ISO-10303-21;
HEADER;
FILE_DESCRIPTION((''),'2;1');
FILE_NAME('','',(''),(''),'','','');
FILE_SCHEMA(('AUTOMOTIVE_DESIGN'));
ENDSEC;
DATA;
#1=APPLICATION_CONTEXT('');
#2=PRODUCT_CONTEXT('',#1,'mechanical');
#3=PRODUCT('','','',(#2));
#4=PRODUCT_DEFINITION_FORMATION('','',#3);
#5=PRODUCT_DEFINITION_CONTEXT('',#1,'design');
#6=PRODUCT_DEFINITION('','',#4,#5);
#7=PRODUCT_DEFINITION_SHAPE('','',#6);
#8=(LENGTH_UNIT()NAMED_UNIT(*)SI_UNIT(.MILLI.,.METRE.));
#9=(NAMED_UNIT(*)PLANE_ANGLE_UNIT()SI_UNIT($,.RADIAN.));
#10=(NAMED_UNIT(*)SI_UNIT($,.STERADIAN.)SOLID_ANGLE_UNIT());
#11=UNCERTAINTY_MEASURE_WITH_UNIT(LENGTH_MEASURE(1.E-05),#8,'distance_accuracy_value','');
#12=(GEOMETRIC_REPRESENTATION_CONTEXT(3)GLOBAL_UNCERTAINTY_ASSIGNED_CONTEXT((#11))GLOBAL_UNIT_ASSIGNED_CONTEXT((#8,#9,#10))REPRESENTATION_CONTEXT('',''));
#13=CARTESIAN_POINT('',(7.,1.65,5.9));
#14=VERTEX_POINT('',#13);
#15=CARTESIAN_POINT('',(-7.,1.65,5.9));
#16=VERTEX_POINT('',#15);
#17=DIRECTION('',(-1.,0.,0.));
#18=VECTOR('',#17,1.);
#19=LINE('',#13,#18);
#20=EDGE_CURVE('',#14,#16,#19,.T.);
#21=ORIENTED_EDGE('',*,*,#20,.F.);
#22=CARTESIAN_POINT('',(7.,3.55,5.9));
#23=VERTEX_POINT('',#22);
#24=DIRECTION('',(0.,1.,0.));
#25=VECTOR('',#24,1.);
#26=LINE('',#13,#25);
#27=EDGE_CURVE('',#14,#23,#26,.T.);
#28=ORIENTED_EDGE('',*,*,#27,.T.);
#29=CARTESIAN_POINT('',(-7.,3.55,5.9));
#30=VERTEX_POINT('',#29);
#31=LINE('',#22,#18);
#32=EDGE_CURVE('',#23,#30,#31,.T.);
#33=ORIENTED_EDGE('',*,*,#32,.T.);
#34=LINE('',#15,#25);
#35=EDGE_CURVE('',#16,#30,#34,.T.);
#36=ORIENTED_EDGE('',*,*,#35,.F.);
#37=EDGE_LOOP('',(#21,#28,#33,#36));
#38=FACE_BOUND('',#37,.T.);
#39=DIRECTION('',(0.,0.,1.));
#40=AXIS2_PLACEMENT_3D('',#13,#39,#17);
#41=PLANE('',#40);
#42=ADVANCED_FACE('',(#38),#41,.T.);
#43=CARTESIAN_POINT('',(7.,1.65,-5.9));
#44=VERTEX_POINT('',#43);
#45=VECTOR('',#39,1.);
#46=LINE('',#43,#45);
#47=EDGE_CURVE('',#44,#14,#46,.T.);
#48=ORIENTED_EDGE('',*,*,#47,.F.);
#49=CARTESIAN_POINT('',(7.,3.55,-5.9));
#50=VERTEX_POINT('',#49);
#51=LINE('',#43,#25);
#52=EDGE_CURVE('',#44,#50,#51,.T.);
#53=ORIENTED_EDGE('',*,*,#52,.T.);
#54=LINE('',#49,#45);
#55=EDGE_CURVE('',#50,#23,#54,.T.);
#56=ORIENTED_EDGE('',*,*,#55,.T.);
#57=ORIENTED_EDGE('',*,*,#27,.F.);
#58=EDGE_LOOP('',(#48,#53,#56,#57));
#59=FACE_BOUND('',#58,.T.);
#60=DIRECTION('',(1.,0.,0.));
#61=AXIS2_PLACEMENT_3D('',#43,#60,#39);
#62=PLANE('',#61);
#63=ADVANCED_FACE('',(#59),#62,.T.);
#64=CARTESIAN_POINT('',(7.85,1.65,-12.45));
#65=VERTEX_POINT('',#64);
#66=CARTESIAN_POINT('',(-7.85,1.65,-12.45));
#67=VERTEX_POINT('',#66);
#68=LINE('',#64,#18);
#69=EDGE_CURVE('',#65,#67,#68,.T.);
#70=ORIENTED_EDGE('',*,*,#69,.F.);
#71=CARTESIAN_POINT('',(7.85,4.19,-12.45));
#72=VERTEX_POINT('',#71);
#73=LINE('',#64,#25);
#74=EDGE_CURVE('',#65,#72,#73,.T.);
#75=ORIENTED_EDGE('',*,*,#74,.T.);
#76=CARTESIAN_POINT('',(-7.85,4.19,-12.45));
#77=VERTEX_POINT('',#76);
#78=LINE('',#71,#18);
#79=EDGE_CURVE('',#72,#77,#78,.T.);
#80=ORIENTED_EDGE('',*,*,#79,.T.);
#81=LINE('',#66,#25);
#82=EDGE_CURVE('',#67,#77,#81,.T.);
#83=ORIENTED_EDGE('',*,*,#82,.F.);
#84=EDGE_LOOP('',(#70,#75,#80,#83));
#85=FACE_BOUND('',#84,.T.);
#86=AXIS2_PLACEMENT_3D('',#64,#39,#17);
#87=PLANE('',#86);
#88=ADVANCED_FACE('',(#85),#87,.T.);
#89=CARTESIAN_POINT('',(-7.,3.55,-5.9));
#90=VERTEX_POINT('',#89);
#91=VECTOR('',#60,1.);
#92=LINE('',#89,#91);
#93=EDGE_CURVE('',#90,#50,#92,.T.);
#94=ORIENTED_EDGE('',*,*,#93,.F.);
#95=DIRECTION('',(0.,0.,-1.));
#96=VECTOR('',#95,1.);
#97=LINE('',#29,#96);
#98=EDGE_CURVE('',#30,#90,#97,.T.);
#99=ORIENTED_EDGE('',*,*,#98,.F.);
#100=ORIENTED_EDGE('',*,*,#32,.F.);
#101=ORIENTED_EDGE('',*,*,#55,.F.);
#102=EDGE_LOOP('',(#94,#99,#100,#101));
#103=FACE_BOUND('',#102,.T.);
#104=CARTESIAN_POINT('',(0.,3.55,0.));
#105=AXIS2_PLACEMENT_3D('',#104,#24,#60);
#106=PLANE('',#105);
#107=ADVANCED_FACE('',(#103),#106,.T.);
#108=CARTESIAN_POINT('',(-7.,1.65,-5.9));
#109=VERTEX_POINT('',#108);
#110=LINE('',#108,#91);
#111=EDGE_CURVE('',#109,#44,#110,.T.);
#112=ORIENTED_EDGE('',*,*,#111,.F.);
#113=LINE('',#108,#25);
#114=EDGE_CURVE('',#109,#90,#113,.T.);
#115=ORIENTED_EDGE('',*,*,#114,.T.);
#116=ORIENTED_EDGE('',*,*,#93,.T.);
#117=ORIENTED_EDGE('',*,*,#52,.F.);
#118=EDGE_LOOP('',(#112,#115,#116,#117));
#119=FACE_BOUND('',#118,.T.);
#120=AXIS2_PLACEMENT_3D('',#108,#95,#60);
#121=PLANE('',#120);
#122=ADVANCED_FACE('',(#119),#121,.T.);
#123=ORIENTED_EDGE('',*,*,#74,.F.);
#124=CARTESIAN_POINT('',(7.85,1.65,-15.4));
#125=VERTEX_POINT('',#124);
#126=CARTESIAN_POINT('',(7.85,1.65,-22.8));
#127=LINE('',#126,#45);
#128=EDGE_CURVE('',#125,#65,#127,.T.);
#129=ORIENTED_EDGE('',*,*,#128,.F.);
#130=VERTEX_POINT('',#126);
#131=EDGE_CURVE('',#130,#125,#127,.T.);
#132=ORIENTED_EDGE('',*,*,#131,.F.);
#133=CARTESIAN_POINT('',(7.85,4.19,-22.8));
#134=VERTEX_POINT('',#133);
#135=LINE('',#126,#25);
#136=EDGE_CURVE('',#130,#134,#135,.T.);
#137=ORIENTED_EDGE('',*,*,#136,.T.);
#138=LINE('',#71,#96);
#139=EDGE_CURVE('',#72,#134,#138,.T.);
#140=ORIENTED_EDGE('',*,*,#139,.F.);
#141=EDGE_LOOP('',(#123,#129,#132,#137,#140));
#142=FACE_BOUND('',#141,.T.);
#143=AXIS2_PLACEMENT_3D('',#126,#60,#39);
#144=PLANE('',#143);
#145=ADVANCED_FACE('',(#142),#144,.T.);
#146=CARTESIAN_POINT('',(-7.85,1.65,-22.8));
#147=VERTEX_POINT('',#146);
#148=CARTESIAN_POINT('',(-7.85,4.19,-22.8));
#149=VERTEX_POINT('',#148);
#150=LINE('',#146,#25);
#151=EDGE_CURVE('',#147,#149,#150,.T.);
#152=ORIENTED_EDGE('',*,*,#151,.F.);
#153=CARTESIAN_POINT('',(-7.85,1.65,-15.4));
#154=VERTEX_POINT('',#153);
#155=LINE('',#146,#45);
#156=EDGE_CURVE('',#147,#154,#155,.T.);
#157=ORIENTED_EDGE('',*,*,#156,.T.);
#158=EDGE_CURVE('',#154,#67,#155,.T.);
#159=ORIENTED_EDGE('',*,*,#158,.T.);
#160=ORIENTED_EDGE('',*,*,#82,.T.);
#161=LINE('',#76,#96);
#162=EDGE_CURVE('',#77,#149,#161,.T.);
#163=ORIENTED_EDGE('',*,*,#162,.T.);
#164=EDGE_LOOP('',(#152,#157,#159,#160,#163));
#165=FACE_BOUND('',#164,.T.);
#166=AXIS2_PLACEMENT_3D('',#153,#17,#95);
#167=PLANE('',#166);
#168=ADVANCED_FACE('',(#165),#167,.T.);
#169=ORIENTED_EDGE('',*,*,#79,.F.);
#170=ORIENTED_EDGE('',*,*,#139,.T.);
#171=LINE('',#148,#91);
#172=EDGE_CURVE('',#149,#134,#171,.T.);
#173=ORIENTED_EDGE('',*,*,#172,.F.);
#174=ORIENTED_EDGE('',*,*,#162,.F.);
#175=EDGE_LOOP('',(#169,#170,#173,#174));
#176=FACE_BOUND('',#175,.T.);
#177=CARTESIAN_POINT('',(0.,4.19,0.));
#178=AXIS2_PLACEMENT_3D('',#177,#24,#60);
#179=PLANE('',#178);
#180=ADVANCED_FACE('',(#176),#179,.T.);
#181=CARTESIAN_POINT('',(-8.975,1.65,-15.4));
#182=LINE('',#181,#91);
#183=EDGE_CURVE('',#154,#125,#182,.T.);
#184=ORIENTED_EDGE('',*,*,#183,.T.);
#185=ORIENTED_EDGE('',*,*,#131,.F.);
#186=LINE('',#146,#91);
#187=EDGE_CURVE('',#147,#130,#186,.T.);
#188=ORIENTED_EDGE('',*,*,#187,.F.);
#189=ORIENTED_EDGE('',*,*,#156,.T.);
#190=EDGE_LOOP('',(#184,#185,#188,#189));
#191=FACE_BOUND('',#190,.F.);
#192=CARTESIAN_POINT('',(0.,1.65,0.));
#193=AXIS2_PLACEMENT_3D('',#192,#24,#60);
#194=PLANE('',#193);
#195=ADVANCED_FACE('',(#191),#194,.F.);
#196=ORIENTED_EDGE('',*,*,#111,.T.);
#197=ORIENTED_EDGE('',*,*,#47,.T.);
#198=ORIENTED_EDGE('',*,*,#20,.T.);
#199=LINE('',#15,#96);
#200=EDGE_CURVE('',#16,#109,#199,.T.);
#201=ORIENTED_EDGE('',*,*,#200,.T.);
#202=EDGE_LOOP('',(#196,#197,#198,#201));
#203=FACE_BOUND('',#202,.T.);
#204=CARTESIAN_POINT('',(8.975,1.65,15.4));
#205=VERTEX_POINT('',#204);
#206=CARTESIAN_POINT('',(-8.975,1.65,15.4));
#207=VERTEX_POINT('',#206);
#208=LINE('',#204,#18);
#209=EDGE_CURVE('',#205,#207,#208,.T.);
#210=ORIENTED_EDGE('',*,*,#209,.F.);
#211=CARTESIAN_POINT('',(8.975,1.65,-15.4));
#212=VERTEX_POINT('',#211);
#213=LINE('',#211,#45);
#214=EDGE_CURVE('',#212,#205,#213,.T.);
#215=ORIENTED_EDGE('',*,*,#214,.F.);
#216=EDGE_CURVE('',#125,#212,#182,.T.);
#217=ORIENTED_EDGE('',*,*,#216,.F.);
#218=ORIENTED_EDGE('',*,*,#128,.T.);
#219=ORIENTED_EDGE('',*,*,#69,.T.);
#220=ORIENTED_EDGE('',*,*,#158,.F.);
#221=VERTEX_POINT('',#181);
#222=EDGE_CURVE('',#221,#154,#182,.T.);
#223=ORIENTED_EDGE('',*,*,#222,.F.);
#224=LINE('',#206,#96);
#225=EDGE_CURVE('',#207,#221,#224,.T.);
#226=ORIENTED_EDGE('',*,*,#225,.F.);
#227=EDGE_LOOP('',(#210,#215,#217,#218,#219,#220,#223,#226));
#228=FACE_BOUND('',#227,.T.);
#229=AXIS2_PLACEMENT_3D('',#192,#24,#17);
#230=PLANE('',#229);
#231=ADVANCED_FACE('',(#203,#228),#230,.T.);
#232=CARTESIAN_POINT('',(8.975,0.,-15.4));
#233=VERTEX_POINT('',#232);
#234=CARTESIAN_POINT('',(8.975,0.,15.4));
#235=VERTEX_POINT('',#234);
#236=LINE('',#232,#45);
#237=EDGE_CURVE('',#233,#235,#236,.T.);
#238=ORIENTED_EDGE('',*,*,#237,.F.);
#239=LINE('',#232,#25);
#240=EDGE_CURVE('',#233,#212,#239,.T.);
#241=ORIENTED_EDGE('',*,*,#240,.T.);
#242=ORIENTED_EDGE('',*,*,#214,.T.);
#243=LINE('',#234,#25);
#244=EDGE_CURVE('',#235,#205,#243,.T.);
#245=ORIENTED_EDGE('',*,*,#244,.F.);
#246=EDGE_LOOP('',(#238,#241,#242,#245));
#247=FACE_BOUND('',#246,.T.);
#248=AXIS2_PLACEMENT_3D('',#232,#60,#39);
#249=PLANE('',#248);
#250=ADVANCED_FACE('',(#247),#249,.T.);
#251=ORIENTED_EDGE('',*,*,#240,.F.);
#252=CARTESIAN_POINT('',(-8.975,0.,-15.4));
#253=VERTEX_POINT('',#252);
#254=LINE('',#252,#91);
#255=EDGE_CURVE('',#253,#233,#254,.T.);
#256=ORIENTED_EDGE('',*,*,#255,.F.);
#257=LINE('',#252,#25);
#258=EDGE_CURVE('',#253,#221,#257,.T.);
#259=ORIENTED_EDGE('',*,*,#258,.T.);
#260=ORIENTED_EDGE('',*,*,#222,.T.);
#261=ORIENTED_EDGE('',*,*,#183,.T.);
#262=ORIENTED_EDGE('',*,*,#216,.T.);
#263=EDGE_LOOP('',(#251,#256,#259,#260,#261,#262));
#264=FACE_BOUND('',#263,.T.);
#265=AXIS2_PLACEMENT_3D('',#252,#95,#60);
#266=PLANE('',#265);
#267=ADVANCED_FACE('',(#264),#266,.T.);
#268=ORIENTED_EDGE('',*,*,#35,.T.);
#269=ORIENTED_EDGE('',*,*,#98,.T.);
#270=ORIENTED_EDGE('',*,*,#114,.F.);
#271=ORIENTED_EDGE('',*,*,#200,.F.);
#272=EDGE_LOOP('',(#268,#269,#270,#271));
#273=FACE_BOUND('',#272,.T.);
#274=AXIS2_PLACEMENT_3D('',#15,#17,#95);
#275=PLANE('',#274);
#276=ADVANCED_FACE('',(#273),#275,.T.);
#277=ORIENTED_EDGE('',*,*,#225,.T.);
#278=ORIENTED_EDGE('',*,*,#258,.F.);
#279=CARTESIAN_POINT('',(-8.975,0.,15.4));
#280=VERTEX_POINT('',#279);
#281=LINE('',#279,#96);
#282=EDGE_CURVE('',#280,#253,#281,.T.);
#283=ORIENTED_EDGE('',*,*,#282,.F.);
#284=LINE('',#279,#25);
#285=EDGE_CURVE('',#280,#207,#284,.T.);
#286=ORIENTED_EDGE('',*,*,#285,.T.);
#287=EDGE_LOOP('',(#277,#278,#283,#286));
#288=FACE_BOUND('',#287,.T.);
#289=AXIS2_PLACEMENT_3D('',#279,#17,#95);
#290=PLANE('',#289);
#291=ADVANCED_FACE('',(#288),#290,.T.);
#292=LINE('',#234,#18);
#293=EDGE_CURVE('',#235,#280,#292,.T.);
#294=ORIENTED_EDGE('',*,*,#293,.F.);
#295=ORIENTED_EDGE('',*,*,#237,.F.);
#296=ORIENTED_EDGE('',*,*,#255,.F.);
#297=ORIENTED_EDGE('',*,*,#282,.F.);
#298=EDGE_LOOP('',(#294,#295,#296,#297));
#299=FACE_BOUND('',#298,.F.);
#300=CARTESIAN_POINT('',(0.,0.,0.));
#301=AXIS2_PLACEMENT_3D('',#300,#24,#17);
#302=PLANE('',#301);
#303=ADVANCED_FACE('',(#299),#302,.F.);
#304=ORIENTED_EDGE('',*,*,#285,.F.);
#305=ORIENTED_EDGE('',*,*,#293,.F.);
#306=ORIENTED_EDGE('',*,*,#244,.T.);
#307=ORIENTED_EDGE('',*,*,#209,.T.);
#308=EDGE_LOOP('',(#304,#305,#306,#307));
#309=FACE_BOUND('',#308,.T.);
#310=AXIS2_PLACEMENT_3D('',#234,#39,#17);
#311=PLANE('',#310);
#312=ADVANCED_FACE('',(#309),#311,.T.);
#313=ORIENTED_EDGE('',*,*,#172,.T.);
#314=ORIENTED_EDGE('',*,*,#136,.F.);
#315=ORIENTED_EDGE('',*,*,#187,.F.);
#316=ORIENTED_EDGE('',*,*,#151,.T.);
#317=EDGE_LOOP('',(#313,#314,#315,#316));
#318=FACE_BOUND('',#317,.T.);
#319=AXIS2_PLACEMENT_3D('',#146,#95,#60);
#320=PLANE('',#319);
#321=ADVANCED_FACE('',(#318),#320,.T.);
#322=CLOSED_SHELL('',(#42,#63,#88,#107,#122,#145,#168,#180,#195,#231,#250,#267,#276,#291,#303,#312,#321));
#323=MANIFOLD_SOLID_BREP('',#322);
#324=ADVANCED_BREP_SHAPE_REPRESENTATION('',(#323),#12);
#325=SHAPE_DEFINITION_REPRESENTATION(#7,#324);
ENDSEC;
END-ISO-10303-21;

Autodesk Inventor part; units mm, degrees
ref_plane "YZ Plane" through (0, 0, 0) normal (1, 0, 0) x (0, 1, 0)
ref_plane "XZ Plane" through (0, 0, 0) normal (0, 1, 0) x (-1, 0, 0)
ref_plane "XY Plane" through (0, 0, 0) normal (0, 0, 1) x (1, 0, 0)
sketch "Skizze1" plane through (0, 0, 0) normal (0, 1, 0) x (-1, 0, 0)
  line L0 (-8.975, 15.4) -> (8.975, 15.4)
  line L1 (8.975, 15.4) -> (8.975, -15.4)
  line L2 (8.975, -15.4) -> (-8.975, -15.4)
  line L3 (-8.975, -15.4) -> (-8.975, 15.4)
  line L4 (-8.975, 15.4) -> (8.975, -15.4) construction
  line L5 (8.975, 15.4) -> (-8.975, -15.4) construction
  point P0 (0, 0)
  dimension "d0" = 17.95
  dimension "d1" = 30.8
extrude "Extrusion1" add sketch "Skizze1" along normal blind 1.65
sketch "Skizze2" plane through (0, 1.65, 0) normal (0, 1, 0) x (1, 0, 0)
  line L0 (-7, 5.9) -> (7, 5.9)
  line L1 (7, 5.9) -> (7, -5.9)
  line L2 (7, -5.9) -> (-7, -5.9)
  line L3 (-7, -5.9) -> (-7, 5.9)
  line L4 (-7, 5.9) -> (7, -5.9) construction
  line L5 (7, 5.9) -> (-7, -5.9) construction
  point P0 (0, 0)
  dimension "d4" = 14
  dimension "d5" = 11.8
extrude "Extrusion2" add sketch "Skizze2" along normal blind 1.9
sketch "Skizze3" plane through (0, 1.65, 0) normal (0, 1, 0) x (1, 0, 0)
  line L0 (7, 5.9) -> (7, -5.9) projected
  line L1 (7, -5.9) -> (-7, -5.9) projected
  line L2 (-7, -5.9) -> (-7, 5.9) projected
  line L3 (-7, 5.9) -> (7, 5.9) projected
  line L4 (-8.975, -15.4) -> (8.975, -15.4) projected
  line L5 (8.975, -15.4) -> (8.975, 15.4) projected
  line L6 (8.975, 15.4) -> (-8.975, 15.4) projected
  line L7 (-8.975, 15.4) -> (-8.975, -15.4) projected
  line L8 (7.85, 12.45) -> (-7.85, 12.45)
  line L9 (-7.85, 12.45) -> (-7.85, 22.8)
  line L10 (-7.85, 22.8) -> (7.85, 22.8)
  line L11 (7.85, 22.8) -> (7.85, 12.45)
  line L12 (0, -0.0027) -> (0, 15.4) construction
  point P0 (0, 0)
  dimension "d8" = 15.7
  dimension "d9" = 2.95
  dimension "d10" = 38.2
  dimension "d11" = 10.35
extrude "Extrusion3" add sketch "Skizze3" along normal blind 2.54 contours L9 L10 L11 L6 | L6 L11 L8 L9
properties part number "FTDI_Friend"
